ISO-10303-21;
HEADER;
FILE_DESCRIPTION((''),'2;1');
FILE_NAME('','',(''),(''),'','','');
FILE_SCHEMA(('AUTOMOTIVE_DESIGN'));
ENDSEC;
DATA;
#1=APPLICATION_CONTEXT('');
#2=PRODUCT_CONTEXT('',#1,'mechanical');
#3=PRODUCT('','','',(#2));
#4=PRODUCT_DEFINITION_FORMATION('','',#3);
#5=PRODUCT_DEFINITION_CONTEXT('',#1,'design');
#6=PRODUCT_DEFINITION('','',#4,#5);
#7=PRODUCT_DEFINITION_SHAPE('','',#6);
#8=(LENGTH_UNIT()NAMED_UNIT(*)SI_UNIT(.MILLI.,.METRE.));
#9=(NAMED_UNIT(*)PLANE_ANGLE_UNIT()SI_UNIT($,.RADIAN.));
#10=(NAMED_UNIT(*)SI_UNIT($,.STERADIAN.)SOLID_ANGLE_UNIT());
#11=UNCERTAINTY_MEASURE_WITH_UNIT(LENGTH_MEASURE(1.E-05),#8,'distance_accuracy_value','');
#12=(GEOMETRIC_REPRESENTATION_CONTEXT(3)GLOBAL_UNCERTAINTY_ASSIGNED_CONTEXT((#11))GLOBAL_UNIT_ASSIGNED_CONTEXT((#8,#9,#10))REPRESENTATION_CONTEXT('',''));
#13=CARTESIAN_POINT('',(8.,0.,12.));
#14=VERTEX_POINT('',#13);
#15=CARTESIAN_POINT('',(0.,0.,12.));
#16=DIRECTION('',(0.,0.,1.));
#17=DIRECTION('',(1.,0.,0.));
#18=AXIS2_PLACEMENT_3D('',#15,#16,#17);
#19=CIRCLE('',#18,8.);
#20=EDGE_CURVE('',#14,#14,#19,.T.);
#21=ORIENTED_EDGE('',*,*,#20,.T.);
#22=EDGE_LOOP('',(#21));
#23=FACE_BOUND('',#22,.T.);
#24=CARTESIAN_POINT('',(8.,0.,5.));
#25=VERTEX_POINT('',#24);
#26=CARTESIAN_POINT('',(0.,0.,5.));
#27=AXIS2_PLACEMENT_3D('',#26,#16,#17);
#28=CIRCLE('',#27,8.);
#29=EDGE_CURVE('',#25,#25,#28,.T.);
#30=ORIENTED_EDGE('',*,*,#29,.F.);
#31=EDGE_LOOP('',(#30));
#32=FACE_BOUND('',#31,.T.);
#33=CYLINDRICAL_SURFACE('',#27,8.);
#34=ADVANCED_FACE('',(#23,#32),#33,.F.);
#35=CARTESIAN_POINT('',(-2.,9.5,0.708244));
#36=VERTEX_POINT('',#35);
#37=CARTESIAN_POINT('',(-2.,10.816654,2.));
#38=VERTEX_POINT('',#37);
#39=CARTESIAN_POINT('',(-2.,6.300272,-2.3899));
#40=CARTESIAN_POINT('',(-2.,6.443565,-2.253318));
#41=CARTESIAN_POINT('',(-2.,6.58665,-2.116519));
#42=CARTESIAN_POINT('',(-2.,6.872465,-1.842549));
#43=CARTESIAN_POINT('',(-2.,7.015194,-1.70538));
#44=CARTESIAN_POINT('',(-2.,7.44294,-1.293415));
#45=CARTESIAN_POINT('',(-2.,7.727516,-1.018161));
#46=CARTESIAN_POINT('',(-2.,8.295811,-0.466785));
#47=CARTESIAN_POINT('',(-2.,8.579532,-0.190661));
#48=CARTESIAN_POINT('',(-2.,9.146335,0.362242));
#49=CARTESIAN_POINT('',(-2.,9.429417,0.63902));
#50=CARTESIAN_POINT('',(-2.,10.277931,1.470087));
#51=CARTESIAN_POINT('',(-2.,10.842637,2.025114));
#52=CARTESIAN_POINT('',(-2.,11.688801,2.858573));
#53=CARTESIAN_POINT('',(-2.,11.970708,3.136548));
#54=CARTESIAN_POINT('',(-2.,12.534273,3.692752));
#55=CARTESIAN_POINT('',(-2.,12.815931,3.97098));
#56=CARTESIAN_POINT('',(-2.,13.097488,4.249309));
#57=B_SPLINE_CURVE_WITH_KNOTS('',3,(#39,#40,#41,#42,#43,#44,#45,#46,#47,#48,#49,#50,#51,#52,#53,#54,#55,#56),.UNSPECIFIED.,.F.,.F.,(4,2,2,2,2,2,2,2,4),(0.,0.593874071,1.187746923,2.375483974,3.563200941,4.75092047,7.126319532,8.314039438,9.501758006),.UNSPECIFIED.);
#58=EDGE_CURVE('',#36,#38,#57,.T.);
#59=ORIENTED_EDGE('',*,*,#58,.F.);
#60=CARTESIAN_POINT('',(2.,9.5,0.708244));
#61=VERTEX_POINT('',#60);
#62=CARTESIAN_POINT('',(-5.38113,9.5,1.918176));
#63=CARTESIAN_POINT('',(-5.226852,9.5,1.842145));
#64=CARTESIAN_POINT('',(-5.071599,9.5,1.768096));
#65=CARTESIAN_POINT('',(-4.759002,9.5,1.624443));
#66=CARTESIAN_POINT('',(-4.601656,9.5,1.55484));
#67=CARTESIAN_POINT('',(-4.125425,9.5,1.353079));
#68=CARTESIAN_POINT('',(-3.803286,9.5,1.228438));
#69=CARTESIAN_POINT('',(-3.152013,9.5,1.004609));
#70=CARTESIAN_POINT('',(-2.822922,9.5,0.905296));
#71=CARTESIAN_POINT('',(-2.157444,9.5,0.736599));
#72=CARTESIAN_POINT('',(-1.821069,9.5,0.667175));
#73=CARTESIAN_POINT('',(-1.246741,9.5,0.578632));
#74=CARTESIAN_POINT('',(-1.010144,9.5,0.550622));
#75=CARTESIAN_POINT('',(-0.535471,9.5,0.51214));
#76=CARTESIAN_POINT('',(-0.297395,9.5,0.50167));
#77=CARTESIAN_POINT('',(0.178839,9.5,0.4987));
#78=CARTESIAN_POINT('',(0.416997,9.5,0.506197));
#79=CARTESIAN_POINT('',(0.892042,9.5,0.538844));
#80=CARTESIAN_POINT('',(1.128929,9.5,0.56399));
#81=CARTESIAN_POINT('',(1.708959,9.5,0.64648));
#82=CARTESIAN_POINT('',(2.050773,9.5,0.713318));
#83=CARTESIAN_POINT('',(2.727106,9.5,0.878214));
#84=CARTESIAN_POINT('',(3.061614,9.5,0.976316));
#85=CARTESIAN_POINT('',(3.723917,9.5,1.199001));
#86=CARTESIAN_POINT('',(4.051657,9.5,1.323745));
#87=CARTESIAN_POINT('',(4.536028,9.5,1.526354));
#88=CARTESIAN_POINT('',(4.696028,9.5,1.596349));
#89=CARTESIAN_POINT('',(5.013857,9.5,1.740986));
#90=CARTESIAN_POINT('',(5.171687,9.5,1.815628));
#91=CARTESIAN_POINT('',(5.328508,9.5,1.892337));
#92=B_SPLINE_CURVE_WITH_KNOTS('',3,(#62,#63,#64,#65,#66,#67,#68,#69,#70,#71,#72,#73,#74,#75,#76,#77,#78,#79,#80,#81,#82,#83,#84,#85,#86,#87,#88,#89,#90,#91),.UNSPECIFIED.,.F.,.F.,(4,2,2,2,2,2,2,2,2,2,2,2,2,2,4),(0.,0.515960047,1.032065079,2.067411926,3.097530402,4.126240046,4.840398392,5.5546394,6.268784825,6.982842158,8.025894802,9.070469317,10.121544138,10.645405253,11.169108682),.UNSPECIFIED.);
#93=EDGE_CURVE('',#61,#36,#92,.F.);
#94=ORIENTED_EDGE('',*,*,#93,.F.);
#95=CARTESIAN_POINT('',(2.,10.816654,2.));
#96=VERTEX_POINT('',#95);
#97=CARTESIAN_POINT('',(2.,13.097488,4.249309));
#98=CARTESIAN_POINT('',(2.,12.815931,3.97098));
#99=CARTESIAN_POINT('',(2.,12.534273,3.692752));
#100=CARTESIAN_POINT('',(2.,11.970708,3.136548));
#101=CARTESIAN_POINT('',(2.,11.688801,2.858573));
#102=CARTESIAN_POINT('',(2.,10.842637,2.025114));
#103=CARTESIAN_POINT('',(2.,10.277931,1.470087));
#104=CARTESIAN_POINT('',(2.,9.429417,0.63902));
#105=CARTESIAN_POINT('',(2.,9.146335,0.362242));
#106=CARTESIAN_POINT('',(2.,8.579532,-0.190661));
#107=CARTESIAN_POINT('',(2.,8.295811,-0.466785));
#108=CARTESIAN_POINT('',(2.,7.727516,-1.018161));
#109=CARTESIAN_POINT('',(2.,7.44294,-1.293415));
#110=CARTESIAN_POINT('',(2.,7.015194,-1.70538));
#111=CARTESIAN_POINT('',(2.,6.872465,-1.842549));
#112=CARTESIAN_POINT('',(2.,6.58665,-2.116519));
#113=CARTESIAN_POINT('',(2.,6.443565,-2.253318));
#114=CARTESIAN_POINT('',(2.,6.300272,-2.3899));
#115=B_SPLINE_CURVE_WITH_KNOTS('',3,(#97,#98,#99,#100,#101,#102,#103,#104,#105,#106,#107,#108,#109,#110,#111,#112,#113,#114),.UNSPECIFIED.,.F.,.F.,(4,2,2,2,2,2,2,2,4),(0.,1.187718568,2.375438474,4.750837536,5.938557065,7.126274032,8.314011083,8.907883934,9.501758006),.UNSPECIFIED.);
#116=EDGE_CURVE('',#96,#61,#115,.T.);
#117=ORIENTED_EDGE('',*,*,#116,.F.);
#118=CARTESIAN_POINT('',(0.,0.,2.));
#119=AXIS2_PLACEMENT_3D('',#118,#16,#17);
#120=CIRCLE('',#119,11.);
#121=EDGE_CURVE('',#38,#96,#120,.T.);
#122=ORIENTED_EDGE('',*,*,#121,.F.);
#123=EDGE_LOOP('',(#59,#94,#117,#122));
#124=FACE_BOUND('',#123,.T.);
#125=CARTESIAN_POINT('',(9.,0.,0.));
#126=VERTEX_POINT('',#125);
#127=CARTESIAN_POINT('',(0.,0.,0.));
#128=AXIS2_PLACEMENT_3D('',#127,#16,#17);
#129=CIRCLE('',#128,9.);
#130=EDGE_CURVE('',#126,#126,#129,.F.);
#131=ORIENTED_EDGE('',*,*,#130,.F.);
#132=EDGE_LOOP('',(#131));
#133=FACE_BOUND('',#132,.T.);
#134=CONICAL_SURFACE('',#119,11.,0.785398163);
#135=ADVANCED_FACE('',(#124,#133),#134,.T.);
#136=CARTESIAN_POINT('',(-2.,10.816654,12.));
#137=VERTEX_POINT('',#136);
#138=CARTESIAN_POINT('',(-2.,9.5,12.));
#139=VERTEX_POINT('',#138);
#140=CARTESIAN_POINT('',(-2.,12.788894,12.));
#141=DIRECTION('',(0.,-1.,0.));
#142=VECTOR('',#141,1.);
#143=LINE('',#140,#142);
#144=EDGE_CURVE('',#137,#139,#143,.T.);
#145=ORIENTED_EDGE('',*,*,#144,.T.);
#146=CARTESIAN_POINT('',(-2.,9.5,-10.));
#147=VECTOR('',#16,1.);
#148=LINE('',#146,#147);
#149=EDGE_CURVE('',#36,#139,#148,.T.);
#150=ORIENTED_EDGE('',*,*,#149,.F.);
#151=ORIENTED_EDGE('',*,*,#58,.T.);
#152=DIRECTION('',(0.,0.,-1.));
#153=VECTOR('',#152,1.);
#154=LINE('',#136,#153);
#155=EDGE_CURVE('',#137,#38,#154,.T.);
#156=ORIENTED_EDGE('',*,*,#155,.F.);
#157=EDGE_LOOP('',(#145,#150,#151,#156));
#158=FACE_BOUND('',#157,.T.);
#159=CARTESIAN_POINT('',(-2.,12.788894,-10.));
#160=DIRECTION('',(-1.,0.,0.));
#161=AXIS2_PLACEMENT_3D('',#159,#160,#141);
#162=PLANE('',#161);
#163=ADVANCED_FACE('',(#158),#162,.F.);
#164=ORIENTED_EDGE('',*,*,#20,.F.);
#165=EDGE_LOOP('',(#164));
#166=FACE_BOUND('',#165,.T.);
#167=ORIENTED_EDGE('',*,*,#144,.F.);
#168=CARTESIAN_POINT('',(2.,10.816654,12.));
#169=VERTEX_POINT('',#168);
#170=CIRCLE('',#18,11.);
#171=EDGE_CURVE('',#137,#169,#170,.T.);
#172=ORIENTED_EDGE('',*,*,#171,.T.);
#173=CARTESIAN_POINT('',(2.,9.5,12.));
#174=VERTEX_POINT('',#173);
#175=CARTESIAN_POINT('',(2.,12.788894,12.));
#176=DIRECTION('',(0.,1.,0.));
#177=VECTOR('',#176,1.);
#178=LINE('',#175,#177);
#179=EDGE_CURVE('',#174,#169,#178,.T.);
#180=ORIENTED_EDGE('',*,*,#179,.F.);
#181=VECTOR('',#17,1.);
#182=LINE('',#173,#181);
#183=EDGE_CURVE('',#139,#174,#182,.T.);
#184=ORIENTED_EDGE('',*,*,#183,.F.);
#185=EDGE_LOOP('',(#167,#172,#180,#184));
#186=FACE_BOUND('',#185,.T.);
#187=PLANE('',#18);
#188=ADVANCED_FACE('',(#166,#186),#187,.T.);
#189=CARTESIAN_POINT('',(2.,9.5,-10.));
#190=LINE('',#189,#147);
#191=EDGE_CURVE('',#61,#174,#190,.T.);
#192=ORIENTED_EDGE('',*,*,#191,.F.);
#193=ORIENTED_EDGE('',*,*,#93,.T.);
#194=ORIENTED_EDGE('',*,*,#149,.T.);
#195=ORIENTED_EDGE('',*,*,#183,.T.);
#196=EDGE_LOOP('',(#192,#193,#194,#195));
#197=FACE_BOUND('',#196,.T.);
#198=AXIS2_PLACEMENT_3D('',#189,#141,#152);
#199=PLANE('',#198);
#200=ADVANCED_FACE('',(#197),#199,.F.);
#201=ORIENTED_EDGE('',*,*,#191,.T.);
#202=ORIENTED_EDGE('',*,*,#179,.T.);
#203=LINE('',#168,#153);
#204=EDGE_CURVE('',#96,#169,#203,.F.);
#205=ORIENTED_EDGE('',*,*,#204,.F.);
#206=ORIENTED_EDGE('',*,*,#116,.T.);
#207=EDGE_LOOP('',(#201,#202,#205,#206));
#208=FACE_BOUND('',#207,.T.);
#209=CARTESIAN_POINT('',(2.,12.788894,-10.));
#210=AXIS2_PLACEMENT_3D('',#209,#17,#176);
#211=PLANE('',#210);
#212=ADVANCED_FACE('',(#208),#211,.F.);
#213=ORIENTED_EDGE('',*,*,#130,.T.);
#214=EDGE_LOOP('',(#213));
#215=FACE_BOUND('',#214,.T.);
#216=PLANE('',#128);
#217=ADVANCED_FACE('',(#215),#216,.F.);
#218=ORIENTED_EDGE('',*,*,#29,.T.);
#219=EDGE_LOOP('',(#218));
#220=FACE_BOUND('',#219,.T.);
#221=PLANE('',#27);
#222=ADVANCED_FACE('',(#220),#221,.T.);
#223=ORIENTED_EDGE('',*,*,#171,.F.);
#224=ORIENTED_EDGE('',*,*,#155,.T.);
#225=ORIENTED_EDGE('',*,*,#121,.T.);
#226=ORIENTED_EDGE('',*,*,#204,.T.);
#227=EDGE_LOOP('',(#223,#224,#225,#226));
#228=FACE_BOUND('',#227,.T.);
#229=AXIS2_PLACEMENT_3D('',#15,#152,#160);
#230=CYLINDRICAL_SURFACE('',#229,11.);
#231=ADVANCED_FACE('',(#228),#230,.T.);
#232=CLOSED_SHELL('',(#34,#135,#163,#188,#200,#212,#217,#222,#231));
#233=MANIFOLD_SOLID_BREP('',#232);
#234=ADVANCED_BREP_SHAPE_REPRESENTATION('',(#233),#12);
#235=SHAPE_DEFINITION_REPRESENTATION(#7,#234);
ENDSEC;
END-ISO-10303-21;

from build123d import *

# Parameters (mm, degrees)
SKETCH1_R           = 11
BOSS_EXTRUDE1_DEPTH = 12
SKETCH2_R           = 8
CUT_EXTRUDE1_DEPTH  = 7
CHAMFER1_SIZE       = 2
SKETCH3_W           = 4
SKETCH3_H           = 3.288893808
CUT_EXTRUDE2_DEPTH  = 22


with BuildPart() as part:
    # Sketch1 → Boss-Extrude1 (new body)
    with BuildSketch(Plane.XY):
        Circle(SKETCH1_R)
    extrude(amount=BOSS_EXTRUDE1_DEPTH)

    # Sketch2 → Cut-Extrude1 (cut)
    with BuildSketch(Plane.XY.offset(12)):
        Circle(SKETCH2_R)
    extrude(amount=-CUT_EXTRUDE1_DEPTH, mode=Mode.SUBTRACT)

    # Chamfer1
    chamfer1_edges = [part.edges().sort_by_distance(p)[0] for p in [
        (-11, 0, 0),
    ]]
    chamfer(chamfer1_edges, length=CHAMFER1_SIZE)

    # Sketch3 → Cut-Extrude2 (cut)
    with BuildSketch(Plane.XY.offset(12)):
        with Locations((0, 11.144446904)):
            Rectangle(SKETCH3_W, SKETCH3_H)
    extrude(amount=-CUT_EXTRUDE2_DEPTH, mode=Mode.SUBTRACT)


solid = part.part
